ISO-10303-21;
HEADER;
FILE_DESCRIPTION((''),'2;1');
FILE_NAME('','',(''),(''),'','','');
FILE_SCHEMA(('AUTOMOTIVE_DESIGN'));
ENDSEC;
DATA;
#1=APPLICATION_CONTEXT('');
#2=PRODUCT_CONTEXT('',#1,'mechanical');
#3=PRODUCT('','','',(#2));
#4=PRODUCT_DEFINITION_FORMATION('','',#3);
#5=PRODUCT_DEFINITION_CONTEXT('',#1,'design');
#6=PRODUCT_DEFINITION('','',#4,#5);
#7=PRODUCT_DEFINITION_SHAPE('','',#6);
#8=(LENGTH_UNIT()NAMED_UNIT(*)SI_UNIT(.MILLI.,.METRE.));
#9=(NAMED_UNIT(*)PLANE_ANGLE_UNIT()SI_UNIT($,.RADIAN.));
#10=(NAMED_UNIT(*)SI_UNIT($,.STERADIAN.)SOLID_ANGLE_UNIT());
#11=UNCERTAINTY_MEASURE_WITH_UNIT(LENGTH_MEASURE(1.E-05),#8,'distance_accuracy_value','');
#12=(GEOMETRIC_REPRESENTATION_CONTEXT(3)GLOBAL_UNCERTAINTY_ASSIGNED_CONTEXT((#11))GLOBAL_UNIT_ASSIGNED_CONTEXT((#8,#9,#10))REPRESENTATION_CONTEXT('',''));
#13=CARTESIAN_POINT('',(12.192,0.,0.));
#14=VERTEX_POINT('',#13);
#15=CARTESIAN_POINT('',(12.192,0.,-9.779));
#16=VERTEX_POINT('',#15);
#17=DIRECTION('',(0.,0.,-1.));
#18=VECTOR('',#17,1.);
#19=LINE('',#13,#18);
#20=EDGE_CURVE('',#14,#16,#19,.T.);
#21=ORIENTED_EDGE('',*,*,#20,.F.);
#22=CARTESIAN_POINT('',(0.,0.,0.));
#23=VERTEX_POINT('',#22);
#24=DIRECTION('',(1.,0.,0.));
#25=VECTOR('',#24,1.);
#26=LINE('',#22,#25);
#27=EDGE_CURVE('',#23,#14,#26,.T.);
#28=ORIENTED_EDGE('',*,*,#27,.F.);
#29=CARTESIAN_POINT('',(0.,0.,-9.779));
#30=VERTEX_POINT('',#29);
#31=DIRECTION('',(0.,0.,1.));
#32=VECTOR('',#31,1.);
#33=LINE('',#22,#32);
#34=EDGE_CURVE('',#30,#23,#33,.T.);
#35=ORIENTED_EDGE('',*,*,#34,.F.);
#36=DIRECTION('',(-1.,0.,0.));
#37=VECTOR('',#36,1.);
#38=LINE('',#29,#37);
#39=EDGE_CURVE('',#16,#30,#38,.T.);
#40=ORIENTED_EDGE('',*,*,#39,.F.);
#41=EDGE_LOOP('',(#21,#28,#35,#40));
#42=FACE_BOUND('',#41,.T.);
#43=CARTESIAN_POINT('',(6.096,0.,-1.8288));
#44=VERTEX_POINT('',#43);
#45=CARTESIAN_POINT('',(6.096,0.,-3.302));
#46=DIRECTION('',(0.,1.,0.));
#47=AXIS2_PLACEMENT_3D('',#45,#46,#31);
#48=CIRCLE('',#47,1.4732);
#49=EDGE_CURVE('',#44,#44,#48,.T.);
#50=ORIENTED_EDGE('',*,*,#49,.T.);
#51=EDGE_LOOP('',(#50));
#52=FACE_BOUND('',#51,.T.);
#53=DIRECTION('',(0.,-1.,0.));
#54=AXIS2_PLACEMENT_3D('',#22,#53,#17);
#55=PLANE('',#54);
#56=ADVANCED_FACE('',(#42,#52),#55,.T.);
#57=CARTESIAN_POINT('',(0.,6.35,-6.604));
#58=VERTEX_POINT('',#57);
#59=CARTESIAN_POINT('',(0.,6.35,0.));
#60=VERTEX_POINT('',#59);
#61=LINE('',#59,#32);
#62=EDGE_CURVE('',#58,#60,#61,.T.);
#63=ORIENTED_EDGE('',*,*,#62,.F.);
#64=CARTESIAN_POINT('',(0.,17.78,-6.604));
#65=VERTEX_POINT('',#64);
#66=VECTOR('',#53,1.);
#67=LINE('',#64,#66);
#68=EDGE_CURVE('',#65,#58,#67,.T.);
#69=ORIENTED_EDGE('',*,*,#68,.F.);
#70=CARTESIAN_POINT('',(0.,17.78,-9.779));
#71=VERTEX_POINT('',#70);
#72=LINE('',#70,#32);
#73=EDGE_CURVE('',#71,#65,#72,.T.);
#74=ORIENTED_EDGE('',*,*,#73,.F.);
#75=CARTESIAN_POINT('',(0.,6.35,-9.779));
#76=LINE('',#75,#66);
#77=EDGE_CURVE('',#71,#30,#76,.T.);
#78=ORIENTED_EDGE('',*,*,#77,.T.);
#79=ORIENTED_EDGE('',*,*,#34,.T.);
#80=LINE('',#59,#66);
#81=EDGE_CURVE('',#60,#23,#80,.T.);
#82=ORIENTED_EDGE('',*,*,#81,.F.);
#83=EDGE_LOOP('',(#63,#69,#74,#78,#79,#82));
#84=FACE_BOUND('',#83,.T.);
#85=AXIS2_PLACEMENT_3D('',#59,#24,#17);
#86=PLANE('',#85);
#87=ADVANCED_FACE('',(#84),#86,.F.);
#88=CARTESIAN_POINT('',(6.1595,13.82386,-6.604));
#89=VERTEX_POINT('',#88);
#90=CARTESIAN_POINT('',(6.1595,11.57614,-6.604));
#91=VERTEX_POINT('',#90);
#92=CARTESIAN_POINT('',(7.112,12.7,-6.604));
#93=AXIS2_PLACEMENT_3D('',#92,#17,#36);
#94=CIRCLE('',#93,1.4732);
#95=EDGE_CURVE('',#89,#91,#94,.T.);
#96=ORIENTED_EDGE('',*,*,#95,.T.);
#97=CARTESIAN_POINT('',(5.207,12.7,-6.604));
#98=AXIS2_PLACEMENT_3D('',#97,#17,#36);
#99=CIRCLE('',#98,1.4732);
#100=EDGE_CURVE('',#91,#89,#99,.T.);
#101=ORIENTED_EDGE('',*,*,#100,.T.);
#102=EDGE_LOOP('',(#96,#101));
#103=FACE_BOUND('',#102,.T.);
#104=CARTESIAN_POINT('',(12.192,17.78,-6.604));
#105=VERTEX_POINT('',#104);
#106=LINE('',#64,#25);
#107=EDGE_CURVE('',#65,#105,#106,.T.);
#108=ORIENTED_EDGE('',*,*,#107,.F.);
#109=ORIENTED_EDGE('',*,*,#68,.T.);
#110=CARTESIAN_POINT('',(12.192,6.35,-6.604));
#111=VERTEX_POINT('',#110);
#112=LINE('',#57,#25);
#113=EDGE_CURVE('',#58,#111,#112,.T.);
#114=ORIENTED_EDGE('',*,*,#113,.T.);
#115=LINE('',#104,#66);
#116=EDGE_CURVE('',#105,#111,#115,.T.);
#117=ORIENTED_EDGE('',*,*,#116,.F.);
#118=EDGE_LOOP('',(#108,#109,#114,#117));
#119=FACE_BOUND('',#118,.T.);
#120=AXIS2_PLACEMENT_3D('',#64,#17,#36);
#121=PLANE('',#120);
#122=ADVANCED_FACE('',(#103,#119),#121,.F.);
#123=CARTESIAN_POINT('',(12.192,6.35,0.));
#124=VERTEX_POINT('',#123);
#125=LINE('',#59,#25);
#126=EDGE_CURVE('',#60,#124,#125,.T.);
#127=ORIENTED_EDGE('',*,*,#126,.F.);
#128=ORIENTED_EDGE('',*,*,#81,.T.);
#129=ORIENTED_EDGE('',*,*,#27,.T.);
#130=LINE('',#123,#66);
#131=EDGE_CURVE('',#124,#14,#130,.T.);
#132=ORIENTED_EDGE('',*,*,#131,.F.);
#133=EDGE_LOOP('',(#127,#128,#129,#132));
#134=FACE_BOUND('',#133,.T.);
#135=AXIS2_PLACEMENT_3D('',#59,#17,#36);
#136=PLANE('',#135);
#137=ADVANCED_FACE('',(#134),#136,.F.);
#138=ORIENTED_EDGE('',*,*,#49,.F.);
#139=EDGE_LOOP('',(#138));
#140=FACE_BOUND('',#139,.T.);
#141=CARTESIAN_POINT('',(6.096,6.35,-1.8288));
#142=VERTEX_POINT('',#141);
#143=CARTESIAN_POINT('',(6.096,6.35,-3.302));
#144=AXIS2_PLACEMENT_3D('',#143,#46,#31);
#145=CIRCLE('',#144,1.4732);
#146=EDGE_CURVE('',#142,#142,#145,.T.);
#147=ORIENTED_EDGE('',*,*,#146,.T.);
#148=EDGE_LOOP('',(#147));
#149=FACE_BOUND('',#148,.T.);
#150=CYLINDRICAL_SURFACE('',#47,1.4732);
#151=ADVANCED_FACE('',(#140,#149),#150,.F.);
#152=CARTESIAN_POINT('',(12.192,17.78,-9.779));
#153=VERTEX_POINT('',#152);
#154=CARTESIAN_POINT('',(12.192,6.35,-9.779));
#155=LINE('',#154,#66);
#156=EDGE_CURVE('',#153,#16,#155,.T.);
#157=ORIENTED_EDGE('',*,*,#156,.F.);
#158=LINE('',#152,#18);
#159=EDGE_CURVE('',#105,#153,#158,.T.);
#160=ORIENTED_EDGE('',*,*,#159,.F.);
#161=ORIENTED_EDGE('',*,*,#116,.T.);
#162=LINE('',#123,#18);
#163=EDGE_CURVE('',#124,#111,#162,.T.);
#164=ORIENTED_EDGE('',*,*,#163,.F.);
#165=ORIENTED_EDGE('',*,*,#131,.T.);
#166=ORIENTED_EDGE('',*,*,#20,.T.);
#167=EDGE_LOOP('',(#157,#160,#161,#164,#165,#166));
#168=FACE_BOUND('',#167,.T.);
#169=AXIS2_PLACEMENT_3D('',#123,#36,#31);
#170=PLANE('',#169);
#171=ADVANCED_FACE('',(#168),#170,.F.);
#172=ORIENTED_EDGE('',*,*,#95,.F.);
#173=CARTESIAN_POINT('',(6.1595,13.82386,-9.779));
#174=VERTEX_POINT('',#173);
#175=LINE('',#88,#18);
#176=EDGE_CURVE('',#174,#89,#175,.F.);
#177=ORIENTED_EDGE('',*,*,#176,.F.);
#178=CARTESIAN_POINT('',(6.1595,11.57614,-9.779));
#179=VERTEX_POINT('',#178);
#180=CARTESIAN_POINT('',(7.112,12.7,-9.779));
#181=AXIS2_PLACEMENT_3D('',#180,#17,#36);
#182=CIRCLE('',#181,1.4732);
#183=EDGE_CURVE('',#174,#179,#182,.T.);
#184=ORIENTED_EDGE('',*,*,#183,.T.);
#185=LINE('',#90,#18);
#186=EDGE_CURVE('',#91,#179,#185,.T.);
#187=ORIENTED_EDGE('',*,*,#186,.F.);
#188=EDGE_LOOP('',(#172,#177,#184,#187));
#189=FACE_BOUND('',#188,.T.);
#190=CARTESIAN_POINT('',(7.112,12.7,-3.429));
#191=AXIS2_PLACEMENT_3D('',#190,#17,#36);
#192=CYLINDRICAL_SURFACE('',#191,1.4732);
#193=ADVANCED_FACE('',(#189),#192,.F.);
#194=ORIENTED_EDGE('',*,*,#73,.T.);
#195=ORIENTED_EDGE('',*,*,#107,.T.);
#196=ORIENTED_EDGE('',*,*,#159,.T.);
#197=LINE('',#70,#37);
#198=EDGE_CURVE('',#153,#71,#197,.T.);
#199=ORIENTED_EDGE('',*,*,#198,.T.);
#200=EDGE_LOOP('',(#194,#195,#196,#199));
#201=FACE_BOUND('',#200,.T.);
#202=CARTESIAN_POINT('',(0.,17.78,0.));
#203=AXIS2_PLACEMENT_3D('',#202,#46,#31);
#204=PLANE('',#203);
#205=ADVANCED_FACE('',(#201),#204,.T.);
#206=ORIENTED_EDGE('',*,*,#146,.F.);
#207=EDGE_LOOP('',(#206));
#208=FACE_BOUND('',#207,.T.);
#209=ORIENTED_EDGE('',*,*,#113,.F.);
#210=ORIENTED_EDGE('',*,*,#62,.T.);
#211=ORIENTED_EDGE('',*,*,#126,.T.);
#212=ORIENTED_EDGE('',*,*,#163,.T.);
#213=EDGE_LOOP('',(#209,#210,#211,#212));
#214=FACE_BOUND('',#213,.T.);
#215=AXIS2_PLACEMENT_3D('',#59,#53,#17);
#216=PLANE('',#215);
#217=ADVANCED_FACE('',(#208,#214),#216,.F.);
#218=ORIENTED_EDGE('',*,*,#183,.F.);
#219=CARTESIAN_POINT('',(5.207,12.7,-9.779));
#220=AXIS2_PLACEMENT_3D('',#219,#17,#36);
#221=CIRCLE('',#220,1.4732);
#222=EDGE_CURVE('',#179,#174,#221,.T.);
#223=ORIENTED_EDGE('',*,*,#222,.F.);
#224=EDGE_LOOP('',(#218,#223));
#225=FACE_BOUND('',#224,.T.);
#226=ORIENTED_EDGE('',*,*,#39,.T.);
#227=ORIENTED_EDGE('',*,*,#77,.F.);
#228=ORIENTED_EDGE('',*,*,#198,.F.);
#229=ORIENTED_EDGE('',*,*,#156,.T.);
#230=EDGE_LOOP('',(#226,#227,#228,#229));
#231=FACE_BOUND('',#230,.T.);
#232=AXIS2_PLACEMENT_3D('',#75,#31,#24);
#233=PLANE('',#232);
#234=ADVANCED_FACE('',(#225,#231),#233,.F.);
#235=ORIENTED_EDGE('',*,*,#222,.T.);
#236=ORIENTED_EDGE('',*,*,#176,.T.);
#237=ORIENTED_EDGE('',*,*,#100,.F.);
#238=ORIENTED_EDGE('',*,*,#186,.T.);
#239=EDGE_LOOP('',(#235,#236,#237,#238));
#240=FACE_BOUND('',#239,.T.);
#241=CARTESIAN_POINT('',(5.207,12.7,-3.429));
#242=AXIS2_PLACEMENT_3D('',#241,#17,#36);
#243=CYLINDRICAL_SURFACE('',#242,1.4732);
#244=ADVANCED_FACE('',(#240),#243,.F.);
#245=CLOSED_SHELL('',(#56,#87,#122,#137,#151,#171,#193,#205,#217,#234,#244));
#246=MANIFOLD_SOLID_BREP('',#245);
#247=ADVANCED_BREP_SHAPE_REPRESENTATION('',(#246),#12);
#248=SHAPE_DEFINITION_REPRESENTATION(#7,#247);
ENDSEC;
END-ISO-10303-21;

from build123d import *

# Parameters (mm, degrees)
SKETCH1_W           = 12.192
SKETCH1_H           = 9.779
BOSS_EXTRUDE1_DEPTH = 6.35
SKETCH2_W           = 12.192
SKETCH2_H           = 3.175
BOSS_EXTRUDE2_DEPTH = 11.43
SKETCH3_R           = 1.4732
CUT_EXTRUDE2_DEPTH  = 6.35
SKETCH4_R           = 1.4732
CUT_EXTRUDE3_DEPTH  = 6.35
SKETCH5_R           = 1.4732
CUT_EXTRUDE4_DEPTH  = 6.35


with BuildPart() as part:
    # Sketch1 → Boss-Extrude1 (new body)
    with BuildSketch(Plane(origin=(0, 0, 0), x_dir=(1, 0, 0), z_dir=(0, 1, 0))):
        with Locations((6.096, 4.8895)):
            Rectangle(SKETCH1_W, SKETCH1_H)
    extrude(amount=BOSS_EXTRUDE1_DEPTH)

    # Sketch2 → Boss-Extrude2 (add)
    with BuildSketch(Plane(origin=(0, 6.35, 0), x_dir=(1, 0, 0), z_dir=(0, 1, 0))):
        with Locations((6.096, 8.1915)):
            Rectangle(SKETCH2_W, SKETCH2_H)
    extrude(amount=BOSS_EXTRUDE2_DEPTH)

    # Sketch3 → Cut-Extrude2 (cut)
    with BuildSketch(Plane(origin=(0, 6.35, 0), x_dir=(1, 0, 0), z_dir=(0, 1, 0))):
        with Locations((25.4, 3.302)):
            Circle(SKETCH3_R)
        with Locations(Location((6.096, 3.302, 0), (0, 0, 270))):
            Circle(SKETCH3_R)
    extrude(amount=-CUT_EXTRUDE2_DEPTH, mode=Mode.SUBTRACT)

    # Sketch4 → Cut-Extrude3 (cut)
    with BuildSketch(Plane(origin=(0, 0, -9.779), x_dir=(-1, 0, 0), z_dir=(0, 0, -1))):
        with Locations((-5.207, 12.7)):
            Circle(SKETCH4_R)
    extrude(amount=-CUT_EXTRUDE3_DEPTH, mode=Mode.SUBTRACT)

    # Sketch5 → Cut-Extrude4 (cut)
    with BuildSketch(Plane(origin=(0, 0, -9.779), x_dir=(-1, 0, 0), z_dir=(0, 0, -1))):
        with Locations((-7.112, 12.7)):
            Circle(SKETCH5_R)
    extrude(amount=-CUT_EXTRUDE4_DEPTH, mode=Mode.SUBTRACT)


solid = part.part
